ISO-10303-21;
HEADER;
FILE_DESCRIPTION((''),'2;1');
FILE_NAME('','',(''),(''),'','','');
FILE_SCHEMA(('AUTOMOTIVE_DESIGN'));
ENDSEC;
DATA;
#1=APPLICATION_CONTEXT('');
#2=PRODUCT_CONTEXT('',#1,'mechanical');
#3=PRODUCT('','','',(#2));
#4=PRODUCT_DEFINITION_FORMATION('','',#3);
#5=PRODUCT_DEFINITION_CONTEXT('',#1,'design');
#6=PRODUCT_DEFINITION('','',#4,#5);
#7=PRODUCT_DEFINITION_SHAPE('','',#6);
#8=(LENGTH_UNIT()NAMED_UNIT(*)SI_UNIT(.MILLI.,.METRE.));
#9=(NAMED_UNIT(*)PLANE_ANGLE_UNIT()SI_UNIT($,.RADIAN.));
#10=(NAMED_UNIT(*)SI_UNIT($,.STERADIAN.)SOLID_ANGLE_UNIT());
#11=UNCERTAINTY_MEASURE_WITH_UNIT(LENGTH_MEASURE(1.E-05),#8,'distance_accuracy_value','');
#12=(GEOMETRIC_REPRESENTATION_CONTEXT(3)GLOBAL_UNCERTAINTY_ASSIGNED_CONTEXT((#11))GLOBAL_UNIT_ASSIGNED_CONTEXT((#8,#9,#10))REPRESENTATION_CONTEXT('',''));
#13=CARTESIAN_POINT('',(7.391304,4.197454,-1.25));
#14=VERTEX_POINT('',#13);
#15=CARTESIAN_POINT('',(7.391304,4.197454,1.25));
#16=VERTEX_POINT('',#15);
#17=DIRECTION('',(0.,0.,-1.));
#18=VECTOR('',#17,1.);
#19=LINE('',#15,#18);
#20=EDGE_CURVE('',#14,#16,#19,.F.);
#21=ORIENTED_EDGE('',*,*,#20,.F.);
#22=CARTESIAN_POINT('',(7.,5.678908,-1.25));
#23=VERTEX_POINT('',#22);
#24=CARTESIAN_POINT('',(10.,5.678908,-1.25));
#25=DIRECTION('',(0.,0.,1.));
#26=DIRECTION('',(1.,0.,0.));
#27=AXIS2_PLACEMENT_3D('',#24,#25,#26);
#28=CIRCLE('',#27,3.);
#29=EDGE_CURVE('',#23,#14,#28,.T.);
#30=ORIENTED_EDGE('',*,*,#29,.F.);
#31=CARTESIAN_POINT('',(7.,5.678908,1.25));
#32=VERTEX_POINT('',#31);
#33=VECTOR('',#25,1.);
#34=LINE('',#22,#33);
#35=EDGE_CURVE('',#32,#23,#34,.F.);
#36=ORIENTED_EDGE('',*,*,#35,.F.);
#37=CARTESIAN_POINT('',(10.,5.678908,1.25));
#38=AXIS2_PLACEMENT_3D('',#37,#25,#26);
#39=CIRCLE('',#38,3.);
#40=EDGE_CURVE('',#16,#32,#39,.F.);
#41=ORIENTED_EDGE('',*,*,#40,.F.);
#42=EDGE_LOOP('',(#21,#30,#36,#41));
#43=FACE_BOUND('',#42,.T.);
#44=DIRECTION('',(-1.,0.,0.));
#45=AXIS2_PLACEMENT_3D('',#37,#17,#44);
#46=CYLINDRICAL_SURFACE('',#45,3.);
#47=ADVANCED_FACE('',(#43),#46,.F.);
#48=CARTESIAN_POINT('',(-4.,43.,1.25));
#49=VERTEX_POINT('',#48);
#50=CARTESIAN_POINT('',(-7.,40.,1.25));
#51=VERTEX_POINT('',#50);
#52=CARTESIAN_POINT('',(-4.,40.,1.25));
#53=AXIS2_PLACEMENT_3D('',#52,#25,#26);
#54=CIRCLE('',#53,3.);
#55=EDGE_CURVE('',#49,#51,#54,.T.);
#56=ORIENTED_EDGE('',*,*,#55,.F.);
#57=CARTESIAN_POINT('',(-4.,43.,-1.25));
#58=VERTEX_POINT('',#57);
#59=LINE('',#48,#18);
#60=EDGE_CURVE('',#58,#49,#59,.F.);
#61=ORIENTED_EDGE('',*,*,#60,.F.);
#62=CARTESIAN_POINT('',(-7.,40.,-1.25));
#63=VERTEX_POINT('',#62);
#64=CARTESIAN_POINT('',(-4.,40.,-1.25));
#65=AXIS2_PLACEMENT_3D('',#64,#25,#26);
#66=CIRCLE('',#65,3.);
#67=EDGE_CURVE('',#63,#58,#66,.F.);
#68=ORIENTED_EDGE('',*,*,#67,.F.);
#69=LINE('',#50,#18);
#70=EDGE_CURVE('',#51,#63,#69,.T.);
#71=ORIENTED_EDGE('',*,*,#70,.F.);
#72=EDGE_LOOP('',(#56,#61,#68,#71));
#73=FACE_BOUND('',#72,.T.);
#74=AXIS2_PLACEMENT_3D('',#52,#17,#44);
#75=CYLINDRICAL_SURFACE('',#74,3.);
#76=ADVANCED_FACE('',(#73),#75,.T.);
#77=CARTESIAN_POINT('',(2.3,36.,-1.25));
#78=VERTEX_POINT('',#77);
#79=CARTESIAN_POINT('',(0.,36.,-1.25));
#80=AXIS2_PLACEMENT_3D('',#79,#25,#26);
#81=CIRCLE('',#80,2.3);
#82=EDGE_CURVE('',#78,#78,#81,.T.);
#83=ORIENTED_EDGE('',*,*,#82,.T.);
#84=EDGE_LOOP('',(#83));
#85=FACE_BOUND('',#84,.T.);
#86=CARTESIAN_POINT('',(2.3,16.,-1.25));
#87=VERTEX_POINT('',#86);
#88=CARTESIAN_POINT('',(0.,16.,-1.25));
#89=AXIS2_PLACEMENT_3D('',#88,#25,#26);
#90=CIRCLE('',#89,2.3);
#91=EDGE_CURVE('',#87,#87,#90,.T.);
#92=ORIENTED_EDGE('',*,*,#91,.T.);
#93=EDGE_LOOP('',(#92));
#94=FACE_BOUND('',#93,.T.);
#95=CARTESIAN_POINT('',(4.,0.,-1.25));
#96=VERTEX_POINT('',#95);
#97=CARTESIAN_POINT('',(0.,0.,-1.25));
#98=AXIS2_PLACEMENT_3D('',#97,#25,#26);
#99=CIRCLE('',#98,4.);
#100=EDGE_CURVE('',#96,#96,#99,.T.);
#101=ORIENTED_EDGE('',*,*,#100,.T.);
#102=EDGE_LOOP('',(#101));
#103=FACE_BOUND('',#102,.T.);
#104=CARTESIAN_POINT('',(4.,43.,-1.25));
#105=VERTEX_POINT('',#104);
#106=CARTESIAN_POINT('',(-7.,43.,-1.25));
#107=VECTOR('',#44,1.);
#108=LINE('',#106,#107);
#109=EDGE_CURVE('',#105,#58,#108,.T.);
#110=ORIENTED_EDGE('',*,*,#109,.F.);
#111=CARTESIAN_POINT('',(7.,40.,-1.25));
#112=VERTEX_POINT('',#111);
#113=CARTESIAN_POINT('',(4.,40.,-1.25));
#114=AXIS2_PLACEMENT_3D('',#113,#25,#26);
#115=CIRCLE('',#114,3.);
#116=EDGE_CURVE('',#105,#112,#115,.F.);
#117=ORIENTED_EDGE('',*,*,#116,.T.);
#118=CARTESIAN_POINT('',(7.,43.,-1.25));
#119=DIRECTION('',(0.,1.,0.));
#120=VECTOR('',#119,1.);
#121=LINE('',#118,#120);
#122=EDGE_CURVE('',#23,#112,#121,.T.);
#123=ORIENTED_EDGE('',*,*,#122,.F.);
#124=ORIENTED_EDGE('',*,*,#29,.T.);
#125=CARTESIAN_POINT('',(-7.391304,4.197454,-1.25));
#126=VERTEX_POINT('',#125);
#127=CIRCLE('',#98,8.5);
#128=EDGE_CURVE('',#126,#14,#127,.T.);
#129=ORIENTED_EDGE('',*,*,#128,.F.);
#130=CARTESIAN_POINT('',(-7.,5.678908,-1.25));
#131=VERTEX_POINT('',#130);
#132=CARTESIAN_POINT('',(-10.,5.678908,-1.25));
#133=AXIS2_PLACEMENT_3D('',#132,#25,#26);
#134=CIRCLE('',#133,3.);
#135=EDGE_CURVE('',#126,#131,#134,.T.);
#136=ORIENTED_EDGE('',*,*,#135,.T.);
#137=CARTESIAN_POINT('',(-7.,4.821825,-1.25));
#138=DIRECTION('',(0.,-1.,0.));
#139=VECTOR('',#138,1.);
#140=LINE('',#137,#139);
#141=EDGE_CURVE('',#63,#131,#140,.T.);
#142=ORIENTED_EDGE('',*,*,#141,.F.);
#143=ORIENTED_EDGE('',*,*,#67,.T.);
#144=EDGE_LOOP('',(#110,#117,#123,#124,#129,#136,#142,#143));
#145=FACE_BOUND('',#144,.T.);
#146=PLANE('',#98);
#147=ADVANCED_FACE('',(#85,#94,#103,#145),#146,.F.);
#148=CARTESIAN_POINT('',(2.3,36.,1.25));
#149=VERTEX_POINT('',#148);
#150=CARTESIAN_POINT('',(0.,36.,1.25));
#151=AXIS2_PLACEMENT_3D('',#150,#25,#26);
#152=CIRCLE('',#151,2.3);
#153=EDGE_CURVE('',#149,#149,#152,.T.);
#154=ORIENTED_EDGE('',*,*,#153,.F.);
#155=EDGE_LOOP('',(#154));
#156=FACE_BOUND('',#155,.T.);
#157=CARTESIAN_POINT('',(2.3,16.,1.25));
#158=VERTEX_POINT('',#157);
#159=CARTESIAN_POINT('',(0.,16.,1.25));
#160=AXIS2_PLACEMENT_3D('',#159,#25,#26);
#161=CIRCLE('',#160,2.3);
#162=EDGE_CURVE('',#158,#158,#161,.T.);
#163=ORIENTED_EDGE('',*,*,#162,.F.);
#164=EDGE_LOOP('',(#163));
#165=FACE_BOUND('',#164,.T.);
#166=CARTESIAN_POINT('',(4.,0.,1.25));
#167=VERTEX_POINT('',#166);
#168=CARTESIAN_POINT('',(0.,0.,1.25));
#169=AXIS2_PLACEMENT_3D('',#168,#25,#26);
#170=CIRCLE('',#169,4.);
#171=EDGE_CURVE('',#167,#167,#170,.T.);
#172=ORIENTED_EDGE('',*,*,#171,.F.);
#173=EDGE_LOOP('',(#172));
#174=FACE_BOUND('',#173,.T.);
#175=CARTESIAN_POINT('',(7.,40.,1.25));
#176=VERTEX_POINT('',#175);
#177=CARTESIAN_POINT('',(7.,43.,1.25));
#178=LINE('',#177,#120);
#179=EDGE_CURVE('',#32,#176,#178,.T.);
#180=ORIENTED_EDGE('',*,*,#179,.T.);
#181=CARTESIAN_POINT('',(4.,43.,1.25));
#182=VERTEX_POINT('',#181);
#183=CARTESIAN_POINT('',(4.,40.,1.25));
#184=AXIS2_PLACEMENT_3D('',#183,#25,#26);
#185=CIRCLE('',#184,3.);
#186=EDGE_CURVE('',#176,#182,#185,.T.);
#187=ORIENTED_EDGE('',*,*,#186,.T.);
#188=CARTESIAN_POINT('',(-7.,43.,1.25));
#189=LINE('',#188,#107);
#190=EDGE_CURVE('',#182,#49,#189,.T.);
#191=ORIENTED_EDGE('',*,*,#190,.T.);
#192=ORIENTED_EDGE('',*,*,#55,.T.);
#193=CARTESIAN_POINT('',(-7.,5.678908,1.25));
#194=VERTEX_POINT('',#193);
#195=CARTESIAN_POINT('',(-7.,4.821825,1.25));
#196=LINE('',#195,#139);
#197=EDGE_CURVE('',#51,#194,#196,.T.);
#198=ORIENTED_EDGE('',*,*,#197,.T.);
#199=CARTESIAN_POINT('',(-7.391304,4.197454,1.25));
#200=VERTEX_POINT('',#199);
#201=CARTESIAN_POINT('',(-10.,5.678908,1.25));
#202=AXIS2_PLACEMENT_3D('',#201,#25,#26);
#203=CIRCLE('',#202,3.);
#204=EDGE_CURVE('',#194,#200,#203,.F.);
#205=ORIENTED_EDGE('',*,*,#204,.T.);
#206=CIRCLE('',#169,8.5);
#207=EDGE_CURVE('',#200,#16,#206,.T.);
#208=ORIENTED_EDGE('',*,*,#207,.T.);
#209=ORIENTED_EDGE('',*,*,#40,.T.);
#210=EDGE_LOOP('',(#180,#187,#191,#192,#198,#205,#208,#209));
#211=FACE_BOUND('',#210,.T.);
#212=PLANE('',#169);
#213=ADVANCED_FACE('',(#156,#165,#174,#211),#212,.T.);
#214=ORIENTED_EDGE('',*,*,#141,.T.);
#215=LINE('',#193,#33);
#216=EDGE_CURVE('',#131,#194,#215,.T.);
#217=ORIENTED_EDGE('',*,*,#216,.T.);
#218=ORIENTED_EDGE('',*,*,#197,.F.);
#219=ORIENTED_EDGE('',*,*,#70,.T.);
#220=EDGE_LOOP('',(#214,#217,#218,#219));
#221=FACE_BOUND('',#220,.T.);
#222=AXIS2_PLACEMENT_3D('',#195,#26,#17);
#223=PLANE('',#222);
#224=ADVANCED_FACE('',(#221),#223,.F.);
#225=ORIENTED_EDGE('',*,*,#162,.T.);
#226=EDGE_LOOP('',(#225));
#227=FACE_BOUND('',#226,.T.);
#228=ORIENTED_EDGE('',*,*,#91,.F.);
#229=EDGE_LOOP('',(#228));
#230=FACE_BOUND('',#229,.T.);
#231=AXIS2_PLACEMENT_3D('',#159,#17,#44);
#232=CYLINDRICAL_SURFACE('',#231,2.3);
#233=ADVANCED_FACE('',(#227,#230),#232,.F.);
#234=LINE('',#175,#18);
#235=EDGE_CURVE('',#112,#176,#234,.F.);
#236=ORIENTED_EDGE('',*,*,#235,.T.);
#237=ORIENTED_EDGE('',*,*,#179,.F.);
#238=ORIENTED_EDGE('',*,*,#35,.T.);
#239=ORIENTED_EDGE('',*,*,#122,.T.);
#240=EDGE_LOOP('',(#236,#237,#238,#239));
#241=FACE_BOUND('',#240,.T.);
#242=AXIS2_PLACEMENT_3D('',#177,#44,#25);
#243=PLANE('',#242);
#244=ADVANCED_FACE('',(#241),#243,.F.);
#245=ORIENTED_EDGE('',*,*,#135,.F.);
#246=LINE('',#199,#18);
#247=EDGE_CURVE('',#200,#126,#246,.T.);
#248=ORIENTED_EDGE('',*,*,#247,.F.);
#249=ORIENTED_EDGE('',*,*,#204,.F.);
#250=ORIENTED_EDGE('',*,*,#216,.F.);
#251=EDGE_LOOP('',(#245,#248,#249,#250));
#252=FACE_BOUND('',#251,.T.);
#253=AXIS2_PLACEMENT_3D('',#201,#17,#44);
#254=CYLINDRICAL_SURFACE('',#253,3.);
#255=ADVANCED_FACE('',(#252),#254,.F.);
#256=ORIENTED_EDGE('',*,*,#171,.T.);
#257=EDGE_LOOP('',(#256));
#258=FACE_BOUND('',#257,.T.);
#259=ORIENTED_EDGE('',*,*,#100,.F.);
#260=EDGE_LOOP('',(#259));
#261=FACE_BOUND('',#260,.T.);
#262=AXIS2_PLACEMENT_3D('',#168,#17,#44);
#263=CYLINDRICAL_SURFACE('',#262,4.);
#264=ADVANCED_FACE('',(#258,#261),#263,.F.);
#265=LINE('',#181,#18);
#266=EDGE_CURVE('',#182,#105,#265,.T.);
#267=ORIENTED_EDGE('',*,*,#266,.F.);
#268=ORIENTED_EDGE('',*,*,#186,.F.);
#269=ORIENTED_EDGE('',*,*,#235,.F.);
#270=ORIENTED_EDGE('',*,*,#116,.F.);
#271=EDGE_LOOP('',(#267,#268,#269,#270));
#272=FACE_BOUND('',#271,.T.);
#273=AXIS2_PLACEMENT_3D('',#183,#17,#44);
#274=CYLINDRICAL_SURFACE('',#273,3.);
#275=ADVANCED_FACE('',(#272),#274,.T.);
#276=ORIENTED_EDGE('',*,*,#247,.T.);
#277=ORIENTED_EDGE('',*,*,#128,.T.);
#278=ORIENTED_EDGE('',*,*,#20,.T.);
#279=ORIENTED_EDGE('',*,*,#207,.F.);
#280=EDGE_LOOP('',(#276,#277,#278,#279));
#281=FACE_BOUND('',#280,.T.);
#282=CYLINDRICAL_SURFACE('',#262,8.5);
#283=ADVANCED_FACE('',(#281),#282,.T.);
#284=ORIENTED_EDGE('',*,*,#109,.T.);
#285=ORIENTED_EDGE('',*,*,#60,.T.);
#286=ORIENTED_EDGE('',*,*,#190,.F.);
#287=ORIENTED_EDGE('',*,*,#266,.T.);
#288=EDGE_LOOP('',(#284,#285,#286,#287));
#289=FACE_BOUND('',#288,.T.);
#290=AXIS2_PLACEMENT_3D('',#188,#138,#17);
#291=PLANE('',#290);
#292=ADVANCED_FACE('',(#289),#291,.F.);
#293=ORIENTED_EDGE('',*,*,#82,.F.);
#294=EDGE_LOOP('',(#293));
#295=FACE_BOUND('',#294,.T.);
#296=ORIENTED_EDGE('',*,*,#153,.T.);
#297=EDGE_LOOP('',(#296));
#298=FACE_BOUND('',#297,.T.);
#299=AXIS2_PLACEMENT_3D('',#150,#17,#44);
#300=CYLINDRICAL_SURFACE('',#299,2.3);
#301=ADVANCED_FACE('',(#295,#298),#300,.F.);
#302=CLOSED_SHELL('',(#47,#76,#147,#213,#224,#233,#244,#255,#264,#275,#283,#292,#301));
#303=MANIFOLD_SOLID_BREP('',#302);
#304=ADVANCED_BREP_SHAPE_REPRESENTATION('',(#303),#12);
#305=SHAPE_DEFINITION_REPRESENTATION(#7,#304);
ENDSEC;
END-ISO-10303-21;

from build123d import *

# Parameters (mm, degrees)
SKETCH_1_R      = 4
SKETCH_1_R_2    = 2.3
EXTRUDE_1_DEPTH = 1.25
FILLET_1_R      = 3


with BuildPart() as part:
    # 草图1 → 凸台-拉伸1 (new, symmetric)
    with BuildSketch(Plane.XY):
        with BuildLine():
            Line((-7, 4.82182538), (-7, 43))
            Line((-7, 43), (7, 43))
            Line((7, 43), (7, 4.82182538))
            ThreePointArc((7, 4.82182538), (0, -8.5), (-7, 4.82182538))
        make_face()
        Circle(SKETCH_1_R, mode=Mode.SUBTRACT)
        with Locations((0, 36)):
            Circle(SKETCH_1_R_2, mode=Mode.SUBTRACT)
        with Locations((0, 16)):
            Circle(SKETCH_1_R_2, mode=Mode.SUBTRACT)
    extrude(amount=EXTRUDE_1_DEPTH, both=True)

    # 圆角1
    fillet_1_edges = [part.edges().sort_by_distance(p)[0] for p in [
        (-7, 4.82182538, 0),
        (-7, 43, 0),
        (7, 43, 0),
        (7, 4.82182538, 0),
    ]]
    fillet(fillet_1_edges, radius=FILLET_1_R)


solid = part.part
